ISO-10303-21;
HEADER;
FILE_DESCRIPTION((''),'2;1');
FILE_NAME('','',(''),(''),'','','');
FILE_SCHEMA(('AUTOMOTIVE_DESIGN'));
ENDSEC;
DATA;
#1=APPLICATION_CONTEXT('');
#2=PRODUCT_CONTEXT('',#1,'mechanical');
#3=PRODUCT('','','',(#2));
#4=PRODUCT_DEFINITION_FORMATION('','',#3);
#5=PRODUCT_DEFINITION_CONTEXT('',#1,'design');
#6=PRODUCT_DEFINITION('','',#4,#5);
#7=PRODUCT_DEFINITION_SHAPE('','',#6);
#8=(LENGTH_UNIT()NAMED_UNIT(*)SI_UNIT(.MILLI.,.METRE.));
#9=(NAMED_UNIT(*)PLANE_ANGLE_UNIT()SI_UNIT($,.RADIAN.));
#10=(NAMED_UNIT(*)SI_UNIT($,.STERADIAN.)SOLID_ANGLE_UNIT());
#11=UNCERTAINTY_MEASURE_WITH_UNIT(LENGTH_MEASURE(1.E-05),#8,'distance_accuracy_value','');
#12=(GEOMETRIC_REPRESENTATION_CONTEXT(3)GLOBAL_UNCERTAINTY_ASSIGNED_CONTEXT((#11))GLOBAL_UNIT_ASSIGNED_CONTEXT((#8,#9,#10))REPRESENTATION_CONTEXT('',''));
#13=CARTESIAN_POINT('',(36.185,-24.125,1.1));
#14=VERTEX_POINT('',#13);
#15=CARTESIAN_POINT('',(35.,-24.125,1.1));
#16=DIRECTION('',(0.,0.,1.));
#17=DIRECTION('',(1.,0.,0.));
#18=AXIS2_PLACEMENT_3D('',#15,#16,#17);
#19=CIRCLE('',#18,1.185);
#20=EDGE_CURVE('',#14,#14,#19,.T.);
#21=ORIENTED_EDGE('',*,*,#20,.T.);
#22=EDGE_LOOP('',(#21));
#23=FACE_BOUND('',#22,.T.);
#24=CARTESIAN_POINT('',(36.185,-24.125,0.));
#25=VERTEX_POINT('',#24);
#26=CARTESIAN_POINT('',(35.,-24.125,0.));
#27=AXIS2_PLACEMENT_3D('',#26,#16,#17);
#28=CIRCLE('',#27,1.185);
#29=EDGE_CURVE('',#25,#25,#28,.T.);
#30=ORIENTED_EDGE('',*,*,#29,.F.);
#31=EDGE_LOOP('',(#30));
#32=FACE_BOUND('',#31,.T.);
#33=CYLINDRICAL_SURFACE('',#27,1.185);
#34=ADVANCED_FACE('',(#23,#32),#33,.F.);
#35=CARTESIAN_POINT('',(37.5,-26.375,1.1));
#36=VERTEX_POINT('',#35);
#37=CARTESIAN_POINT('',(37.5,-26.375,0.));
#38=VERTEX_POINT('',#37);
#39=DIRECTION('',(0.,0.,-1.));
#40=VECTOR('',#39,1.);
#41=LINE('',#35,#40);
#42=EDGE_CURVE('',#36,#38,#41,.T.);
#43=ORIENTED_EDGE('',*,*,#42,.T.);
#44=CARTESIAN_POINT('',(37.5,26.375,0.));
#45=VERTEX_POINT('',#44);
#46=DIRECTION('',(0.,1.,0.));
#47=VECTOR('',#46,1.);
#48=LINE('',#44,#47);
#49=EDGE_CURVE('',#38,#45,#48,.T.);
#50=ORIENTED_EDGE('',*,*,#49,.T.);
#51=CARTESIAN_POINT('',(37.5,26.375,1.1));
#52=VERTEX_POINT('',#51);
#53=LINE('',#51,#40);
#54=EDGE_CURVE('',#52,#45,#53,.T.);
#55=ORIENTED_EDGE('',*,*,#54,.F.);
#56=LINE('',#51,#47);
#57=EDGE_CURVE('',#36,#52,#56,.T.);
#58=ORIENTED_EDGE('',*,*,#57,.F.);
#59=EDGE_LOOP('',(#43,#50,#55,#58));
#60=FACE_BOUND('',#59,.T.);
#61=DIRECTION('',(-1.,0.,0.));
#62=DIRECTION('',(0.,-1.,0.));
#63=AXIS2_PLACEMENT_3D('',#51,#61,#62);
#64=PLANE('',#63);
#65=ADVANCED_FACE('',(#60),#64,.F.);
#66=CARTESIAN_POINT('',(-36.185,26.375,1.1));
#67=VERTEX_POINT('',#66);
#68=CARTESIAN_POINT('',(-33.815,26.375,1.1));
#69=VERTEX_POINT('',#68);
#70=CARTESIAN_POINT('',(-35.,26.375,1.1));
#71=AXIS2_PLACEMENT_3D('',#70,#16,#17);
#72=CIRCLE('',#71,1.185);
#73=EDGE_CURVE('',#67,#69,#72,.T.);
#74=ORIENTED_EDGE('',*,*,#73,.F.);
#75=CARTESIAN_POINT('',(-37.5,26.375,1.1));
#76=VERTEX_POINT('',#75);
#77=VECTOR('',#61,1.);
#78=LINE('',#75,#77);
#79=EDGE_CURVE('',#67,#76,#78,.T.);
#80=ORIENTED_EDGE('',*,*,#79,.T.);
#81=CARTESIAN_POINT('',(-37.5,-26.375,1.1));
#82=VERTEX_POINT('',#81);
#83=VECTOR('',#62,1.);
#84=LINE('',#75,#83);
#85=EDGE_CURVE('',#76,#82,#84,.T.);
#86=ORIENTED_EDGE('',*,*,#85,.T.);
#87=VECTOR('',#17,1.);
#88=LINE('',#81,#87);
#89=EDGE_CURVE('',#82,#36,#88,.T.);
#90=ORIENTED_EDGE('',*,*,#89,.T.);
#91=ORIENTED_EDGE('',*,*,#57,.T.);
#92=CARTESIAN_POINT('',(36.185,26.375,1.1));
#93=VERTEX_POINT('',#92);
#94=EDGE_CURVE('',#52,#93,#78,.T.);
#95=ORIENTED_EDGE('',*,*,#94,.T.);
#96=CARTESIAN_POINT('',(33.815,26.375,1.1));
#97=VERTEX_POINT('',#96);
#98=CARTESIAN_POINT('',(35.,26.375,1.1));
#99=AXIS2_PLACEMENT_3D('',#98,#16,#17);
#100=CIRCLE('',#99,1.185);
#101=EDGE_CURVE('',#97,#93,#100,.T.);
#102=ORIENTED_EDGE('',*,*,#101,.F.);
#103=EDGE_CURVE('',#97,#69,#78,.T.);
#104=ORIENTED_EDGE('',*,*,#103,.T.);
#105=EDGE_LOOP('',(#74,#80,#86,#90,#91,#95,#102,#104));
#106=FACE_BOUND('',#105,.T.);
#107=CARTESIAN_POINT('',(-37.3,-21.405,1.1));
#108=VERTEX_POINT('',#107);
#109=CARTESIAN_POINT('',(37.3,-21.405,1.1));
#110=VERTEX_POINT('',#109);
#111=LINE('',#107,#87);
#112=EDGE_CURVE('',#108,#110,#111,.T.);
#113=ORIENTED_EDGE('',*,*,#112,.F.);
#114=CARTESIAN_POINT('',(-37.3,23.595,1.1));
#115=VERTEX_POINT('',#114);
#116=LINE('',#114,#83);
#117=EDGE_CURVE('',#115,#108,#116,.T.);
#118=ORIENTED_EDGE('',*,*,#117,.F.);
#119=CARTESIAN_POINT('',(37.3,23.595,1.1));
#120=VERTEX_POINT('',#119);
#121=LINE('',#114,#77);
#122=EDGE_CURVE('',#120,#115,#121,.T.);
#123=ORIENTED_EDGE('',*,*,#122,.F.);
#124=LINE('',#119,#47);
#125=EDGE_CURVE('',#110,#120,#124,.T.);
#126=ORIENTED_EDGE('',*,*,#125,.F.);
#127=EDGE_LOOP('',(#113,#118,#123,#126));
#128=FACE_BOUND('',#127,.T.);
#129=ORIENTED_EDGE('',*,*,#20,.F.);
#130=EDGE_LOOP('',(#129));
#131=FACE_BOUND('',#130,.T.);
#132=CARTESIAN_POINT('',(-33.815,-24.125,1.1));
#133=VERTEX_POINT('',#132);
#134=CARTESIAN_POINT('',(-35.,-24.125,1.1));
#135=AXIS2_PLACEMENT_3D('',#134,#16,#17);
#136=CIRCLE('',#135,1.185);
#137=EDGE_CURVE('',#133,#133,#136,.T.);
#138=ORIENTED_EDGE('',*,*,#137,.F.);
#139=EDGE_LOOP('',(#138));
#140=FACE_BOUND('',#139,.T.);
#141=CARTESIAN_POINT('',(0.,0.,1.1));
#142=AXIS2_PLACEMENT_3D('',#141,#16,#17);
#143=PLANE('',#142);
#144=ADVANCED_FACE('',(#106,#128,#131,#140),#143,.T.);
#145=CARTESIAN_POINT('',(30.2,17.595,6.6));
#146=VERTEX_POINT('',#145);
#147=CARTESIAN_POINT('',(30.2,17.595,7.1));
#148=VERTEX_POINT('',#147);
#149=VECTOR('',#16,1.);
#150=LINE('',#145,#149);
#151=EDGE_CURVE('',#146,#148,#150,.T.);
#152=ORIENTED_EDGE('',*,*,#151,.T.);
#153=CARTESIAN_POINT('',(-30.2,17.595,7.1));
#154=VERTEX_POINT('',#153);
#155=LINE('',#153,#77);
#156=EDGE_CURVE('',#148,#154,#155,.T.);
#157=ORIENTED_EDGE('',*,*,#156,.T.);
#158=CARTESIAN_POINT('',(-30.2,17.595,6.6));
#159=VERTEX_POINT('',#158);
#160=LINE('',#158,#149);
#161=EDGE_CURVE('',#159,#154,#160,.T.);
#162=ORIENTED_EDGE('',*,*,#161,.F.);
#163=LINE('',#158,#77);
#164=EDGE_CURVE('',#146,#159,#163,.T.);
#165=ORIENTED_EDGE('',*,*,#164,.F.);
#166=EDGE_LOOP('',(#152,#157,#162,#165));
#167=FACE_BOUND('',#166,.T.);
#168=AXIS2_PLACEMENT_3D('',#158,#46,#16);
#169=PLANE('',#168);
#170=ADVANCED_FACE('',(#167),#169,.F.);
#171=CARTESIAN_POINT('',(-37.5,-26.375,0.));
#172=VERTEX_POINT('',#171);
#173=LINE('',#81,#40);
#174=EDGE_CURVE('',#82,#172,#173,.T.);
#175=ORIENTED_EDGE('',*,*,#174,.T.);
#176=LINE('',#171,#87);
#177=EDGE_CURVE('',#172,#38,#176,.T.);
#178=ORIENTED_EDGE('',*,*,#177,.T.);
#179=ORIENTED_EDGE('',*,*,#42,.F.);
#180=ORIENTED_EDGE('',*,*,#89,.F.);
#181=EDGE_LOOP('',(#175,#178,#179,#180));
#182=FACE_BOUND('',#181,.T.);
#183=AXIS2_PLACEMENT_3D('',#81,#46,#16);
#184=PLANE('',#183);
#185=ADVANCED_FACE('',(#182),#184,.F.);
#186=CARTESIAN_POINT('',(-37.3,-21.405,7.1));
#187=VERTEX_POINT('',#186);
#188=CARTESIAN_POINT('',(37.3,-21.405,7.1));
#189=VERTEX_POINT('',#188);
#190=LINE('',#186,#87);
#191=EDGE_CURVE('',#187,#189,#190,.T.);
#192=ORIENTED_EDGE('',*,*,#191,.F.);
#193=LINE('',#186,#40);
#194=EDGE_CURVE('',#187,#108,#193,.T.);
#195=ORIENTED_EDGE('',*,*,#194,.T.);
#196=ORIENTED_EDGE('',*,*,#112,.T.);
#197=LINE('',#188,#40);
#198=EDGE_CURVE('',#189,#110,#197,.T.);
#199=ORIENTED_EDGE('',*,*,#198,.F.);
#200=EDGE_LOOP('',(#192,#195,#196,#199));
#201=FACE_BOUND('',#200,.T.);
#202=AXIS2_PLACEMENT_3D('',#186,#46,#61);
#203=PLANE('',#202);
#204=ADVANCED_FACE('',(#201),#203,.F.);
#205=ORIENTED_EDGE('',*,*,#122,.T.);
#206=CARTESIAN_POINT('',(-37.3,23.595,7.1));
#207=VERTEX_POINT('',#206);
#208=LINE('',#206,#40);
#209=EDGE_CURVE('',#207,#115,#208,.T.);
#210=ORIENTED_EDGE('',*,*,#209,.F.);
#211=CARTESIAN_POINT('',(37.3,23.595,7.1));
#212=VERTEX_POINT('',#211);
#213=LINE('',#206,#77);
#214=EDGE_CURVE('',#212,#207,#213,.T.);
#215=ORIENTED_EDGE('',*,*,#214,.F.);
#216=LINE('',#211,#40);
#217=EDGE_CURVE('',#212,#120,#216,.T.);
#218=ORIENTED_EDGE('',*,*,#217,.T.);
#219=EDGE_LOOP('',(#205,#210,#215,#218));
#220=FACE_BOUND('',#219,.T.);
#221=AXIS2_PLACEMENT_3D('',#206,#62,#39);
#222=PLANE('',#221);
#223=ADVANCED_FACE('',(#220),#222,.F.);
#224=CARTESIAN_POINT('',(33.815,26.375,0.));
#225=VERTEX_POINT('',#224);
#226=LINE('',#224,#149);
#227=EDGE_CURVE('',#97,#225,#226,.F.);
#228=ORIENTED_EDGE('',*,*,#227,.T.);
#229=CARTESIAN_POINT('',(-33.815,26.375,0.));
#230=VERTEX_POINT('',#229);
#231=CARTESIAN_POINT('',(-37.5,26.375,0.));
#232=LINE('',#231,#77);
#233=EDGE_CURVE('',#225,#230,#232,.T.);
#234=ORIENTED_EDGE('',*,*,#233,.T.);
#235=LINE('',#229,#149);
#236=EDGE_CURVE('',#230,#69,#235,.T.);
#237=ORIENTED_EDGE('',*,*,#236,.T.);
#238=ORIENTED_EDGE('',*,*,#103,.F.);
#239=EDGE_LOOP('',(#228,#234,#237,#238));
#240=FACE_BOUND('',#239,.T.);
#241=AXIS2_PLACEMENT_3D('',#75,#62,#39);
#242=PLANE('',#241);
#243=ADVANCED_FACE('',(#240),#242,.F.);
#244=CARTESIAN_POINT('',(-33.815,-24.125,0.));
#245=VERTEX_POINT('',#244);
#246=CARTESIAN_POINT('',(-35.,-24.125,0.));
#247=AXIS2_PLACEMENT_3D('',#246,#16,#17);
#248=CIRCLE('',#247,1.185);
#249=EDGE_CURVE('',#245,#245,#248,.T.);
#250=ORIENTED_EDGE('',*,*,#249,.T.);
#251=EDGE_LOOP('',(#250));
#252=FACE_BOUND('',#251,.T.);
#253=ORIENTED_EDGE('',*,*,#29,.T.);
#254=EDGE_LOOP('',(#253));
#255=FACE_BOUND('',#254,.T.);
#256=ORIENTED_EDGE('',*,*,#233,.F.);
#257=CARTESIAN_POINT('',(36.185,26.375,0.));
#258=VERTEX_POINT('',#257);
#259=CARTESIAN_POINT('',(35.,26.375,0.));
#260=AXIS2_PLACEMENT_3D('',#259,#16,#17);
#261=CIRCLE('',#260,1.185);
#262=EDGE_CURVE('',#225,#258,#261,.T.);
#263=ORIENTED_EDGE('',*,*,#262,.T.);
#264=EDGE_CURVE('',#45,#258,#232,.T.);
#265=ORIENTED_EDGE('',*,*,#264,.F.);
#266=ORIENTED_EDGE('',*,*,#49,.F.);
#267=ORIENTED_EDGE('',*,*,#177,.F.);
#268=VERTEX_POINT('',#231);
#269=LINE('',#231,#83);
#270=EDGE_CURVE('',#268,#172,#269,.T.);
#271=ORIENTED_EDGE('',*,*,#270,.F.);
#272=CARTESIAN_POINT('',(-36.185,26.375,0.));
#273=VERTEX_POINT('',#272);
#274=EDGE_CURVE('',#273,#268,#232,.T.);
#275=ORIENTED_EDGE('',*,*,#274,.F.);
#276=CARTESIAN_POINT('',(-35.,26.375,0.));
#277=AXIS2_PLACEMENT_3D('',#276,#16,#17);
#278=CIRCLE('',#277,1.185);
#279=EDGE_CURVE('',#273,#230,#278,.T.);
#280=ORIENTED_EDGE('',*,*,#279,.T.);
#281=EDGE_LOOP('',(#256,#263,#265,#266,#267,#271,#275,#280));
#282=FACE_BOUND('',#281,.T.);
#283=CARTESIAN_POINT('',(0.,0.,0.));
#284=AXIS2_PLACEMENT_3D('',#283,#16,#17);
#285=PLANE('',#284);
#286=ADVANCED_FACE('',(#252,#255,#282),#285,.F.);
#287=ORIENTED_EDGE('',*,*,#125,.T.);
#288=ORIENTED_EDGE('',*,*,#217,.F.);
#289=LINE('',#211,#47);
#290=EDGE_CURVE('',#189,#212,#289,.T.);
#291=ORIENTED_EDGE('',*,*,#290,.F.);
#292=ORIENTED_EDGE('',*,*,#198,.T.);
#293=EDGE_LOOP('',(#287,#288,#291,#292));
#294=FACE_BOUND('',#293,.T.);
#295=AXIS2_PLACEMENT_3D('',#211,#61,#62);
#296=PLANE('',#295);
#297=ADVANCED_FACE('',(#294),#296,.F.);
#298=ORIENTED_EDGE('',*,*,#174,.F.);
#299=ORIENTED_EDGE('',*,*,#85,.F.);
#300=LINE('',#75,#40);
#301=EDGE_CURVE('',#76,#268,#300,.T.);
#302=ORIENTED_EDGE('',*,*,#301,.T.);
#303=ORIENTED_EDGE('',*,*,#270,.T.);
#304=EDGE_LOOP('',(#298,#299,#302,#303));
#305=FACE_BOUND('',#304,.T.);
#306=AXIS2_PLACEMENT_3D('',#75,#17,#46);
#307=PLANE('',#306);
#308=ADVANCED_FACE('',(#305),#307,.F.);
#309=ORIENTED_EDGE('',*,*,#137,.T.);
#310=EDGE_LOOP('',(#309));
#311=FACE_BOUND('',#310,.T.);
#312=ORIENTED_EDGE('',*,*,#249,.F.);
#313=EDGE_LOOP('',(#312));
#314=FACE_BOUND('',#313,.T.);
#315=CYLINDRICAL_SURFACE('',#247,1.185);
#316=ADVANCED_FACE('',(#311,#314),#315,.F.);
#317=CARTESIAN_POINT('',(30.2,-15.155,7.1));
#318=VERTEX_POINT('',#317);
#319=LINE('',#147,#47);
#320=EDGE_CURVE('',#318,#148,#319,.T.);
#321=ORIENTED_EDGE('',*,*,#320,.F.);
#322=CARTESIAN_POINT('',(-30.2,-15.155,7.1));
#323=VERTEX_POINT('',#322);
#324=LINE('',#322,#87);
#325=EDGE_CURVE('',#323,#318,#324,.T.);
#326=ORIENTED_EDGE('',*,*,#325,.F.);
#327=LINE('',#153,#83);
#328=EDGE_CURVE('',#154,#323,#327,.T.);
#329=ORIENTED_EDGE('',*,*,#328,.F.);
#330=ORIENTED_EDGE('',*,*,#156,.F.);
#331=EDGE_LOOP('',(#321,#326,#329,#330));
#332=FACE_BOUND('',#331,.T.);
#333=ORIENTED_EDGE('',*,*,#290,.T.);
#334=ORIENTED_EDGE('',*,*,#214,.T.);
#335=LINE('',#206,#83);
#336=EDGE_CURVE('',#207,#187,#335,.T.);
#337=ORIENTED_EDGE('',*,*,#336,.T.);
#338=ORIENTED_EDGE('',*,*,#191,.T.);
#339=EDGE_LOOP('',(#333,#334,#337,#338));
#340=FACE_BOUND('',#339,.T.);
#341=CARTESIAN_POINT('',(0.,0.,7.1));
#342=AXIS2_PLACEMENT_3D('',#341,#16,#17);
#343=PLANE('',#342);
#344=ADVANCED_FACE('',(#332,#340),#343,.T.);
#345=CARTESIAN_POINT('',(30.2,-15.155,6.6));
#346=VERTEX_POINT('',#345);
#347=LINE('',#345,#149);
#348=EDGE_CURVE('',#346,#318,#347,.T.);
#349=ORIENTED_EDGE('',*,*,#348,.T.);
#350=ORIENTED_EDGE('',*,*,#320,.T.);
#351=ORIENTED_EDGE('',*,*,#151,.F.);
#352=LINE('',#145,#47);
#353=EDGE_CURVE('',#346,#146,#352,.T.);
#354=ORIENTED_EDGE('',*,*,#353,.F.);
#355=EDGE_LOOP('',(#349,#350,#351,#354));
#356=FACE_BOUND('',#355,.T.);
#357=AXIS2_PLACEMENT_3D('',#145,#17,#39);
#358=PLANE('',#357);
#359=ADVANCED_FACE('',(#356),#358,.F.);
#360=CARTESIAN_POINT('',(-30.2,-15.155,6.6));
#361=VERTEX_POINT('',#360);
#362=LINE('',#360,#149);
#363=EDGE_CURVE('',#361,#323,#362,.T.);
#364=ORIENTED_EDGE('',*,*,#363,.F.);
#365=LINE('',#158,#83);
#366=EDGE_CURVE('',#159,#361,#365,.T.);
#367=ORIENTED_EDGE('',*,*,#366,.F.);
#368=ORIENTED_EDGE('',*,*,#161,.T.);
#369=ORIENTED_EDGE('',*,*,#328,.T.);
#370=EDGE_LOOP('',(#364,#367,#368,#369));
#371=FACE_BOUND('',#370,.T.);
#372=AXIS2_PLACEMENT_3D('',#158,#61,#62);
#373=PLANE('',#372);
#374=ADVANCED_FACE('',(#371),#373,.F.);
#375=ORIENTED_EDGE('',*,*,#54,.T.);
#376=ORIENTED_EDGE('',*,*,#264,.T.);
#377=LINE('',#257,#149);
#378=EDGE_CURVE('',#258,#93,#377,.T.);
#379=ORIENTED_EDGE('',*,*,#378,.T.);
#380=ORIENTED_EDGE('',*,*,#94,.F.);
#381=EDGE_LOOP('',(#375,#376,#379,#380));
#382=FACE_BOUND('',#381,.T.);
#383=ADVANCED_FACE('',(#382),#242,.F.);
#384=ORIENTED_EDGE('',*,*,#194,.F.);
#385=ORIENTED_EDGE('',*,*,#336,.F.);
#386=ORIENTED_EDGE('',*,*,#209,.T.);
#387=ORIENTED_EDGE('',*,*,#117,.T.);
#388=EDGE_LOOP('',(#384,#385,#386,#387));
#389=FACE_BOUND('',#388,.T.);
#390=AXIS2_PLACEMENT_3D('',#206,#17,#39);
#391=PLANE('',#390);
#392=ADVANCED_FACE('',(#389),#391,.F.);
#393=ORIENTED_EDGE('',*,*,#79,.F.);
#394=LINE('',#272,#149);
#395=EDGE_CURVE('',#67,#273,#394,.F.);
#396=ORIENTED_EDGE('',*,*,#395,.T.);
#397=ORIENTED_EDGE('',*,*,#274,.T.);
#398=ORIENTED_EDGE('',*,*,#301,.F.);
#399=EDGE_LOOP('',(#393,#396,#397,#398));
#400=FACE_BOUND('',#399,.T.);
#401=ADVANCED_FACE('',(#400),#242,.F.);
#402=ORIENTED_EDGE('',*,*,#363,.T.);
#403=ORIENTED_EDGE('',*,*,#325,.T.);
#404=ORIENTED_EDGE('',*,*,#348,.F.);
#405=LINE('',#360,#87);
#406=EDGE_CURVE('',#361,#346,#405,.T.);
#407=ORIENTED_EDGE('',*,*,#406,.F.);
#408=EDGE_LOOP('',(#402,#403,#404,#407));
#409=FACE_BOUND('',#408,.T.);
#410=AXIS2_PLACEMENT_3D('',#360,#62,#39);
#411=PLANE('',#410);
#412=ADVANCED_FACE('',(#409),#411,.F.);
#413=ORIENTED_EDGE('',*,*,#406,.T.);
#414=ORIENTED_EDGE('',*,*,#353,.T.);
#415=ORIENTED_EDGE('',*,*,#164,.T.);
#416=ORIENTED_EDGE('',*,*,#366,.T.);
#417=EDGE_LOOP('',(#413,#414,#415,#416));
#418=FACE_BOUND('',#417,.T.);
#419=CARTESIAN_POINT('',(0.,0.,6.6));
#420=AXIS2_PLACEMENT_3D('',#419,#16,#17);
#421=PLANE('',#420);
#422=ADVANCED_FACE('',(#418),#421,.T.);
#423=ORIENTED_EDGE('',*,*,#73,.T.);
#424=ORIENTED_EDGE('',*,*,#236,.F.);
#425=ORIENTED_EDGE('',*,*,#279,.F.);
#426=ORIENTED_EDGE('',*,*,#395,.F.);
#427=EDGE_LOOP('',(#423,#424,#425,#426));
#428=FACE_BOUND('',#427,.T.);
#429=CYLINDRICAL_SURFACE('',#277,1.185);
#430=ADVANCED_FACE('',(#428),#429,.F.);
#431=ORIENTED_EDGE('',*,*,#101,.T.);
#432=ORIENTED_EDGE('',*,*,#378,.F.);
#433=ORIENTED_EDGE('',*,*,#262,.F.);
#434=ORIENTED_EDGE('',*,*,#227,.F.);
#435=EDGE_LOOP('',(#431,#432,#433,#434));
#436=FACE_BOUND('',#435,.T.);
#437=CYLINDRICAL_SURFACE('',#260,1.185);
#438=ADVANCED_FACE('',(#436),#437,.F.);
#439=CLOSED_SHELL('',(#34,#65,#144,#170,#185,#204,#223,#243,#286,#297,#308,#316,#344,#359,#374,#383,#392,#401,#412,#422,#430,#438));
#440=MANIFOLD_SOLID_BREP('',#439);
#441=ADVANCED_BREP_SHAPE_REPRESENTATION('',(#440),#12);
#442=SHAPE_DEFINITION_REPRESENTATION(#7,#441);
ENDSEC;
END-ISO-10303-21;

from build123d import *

# Parameters (mm, degrees)
SKETCH1_W           = 75
SKETCH1_H           = 52.75
BOSS_EXTRUDE1_DEPTH = 1.1
SKETCH2_R           = 1.185
CUT_EXTRUDE1_DEPTH  = 46.859575063
SKETCH3_W           = 74.6
SKETCH3_H           = 45
BOSS_EXTRUDE2_DEPTH = 6
SKETCH4_W           = 60.4
SKETCH4_H           = 32.75
CUT_EXTRUDE2_DEPTH  = 0.5


with BuildPart() as part:
    # Sketch1 → Boss-Extrude1 (new body)
    with BuildSketch(Plane.XY):
        Rectangle(SKETCH1_W, SKETCH1_H)
    extrude(amount=BOSS_EXTRUDE1_DEPTH)

    # Sketch2 → Cut-Extrude1 (cut, through all)
    with BuildSketch(Plane.XY.offset(1.1)):
        with Locations((-35, -24.125)):
            Circle(SKETCH2_R)
        with Locations((35, -24.125)):
            Circle(SKETCH2_R)
        with Locations((35, 26.375)):
            Circle(SKETCH2_R)
        with Locations((-35, 26.375)):
            Circle(SKETCH2_R)
    extrude(amount=-CUT_EXTRUDE1_DEPTH, mode=Mode.SUBTRACT)

    # Sketch3 → Boss-Extrude2 (add)
    with BuildSketch(Plane.XY.offset(1.1)):
        with Locations((0, 1.095)):
            Rectangle(SKETCH3_W, SKETCH3_H)
    extrude(amount=BOSS_EXTRUDE2_DEPTH)

    # Sketch4 → Cut-Extrude2 (cut)
    with BuildSketch(Plane.XY.offset(7.1)):
        with Locations((0, 1.22)):
            Rectangle(SKETCH4_W, SKETCH4_H)
    extrude(amount=-CUT_EXTRUDE2_DEPTH, mode=Mode.SUBTRACT)


solid = part.part
